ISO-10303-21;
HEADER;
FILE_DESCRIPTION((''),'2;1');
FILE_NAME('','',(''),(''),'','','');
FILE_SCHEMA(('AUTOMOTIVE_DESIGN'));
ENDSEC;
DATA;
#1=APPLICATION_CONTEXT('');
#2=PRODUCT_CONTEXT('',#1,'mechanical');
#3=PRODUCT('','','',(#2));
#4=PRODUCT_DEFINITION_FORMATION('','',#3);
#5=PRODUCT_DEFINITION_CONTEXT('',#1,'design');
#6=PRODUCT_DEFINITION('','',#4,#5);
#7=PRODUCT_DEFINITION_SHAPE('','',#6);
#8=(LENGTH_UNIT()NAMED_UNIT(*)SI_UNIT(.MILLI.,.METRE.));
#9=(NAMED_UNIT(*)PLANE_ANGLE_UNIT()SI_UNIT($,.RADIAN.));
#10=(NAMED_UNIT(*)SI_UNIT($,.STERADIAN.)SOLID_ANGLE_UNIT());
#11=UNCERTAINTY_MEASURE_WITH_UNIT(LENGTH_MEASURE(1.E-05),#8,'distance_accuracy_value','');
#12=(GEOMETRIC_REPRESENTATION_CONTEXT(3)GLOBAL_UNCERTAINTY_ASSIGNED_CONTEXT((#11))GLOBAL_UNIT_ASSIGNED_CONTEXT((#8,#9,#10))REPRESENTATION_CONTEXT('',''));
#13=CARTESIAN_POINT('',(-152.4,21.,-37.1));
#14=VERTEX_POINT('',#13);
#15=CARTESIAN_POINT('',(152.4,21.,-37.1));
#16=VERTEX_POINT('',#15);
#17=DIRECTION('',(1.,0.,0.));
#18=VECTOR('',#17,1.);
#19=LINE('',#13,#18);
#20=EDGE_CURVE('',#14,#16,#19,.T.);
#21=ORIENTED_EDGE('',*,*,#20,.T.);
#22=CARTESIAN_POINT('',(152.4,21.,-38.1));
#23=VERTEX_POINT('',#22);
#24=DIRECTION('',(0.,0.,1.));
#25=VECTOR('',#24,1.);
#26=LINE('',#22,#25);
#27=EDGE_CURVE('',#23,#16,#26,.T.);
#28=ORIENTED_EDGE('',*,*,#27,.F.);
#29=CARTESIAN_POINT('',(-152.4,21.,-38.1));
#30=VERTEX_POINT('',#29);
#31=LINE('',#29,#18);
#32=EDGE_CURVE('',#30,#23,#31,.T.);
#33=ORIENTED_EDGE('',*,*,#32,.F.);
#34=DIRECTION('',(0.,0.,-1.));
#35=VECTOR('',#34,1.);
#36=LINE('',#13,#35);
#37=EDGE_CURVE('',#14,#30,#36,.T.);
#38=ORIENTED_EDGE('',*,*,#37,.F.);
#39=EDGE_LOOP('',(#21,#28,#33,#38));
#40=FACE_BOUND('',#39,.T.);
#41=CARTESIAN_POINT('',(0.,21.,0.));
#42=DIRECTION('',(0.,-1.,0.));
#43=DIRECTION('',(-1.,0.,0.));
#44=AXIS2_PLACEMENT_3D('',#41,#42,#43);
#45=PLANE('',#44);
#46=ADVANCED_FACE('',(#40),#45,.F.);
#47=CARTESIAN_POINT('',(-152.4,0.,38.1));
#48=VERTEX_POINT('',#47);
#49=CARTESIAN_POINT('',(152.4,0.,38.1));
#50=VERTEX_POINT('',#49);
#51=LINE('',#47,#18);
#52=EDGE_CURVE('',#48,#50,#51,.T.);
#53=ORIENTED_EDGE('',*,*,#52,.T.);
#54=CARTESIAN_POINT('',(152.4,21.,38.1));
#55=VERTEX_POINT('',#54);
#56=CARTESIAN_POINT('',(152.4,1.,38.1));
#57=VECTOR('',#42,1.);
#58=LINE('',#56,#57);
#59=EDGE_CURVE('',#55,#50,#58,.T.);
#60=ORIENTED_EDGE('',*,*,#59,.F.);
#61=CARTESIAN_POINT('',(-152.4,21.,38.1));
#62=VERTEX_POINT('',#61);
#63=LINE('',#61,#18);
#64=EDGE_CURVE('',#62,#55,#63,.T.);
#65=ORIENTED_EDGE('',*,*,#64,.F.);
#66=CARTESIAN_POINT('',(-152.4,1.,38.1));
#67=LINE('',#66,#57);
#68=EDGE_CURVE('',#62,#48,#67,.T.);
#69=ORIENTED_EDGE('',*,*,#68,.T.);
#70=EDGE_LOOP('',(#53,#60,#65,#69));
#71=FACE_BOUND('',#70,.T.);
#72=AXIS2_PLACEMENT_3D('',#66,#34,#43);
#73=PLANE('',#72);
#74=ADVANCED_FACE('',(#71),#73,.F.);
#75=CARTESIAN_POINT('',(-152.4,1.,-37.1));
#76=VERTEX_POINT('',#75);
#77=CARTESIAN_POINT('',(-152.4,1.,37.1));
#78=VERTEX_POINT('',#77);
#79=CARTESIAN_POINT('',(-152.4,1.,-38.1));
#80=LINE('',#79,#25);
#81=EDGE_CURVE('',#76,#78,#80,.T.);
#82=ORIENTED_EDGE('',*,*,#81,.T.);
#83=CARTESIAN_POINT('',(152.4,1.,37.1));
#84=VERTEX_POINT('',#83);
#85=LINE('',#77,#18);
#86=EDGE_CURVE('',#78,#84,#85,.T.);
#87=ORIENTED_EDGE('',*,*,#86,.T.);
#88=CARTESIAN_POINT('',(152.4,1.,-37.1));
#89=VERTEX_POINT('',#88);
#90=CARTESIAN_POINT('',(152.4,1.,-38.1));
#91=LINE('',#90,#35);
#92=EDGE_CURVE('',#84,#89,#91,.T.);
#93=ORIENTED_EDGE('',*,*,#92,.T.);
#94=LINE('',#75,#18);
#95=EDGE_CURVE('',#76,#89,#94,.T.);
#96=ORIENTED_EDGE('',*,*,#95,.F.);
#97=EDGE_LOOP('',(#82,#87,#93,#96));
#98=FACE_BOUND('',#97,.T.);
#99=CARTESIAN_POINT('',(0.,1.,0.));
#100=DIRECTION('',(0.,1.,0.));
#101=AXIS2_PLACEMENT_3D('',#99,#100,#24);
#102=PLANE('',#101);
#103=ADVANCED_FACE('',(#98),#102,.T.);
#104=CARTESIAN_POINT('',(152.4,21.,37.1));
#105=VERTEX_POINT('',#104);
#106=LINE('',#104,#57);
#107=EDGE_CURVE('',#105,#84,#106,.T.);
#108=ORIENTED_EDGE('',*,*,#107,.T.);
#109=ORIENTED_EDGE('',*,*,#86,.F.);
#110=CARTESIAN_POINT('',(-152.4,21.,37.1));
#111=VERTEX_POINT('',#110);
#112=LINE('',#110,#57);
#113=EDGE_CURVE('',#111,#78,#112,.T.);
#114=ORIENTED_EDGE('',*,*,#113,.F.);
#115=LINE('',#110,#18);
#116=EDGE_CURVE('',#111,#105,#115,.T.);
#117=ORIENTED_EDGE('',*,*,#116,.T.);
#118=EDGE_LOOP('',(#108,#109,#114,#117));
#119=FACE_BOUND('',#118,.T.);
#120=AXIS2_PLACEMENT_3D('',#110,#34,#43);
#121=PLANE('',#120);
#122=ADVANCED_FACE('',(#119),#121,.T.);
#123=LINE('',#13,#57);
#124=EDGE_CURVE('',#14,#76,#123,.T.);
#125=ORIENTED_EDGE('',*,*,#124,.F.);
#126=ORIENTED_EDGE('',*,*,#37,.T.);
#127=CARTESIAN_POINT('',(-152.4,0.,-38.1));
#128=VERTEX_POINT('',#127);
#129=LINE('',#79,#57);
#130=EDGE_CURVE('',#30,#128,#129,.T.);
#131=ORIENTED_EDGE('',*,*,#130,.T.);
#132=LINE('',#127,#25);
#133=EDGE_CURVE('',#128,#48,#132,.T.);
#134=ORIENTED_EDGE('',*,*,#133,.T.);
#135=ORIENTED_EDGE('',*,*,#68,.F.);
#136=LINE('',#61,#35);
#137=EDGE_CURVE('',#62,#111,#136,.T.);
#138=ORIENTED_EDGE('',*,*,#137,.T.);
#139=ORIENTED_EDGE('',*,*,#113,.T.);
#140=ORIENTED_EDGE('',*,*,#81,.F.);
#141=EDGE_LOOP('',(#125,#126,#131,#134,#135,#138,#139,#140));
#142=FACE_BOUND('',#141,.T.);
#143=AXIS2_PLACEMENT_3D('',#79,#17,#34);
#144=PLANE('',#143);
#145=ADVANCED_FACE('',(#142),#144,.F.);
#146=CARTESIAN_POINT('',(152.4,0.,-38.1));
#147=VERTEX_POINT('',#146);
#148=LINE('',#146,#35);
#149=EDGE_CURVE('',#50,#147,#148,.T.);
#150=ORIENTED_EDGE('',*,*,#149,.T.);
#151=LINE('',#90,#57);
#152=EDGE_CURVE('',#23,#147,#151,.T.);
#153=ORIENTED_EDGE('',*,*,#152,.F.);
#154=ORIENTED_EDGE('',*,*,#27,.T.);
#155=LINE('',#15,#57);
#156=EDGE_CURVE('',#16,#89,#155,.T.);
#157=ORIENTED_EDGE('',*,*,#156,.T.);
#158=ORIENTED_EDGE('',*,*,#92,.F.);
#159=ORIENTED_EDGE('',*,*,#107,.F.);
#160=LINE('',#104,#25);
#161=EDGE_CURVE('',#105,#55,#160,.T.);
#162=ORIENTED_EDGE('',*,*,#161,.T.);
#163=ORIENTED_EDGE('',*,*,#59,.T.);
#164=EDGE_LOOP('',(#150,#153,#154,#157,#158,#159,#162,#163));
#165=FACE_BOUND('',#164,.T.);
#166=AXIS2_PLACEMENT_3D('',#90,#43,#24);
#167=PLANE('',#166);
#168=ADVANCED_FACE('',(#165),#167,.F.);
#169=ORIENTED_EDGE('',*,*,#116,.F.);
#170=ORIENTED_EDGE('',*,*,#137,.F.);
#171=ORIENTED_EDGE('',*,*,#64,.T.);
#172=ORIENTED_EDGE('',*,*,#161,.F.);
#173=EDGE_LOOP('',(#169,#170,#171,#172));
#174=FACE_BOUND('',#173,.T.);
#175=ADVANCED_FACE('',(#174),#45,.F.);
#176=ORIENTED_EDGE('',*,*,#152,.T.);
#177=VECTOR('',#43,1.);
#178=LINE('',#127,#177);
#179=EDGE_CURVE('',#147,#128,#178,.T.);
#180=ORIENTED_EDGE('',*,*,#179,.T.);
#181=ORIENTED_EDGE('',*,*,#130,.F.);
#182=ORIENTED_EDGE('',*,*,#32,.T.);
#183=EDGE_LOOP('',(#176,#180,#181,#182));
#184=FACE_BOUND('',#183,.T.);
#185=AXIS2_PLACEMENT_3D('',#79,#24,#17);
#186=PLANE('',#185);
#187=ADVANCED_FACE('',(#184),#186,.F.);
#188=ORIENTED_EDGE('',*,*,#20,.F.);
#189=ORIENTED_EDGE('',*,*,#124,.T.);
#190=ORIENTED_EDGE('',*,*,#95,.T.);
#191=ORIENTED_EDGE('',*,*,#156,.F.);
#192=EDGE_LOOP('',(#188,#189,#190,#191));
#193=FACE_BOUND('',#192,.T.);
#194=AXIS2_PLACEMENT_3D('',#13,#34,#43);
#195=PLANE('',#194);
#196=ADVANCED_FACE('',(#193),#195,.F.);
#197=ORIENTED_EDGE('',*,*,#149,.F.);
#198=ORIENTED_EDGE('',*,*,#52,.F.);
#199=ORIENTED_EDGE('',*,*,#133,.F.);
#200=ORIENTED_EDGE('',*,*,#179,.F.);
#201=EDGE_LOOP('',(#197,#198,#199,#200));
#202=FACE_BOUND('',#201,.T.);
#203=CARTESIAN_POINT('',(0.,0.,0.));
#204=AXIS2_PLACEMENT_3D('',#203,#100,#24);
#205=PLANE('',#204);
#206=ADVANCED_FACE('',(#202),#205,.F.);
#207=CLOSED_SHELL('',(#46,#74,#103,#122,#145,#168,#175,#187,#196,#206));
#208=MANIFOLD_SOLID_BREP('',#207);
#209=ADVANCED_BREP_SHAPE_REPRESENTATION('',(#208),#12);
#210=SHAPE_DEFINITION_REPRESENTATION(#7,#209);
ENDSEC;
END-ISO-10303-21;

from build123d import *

# Parameters (mm, degrees)
SKETCH1_W           = 304.8
SKETCH1_H           = 76.2
BOSS_EXTRUDE1_DEPTH = 1
SKETCH2_W           = 304.8
SKETCH2_H           = 1
EXTRUDE_THIN1_DEPTH = 20
SKETCH5_W           = 304.8
SKETCH5_H           = 1
EXTRUDE_THIN2_DEPTH = 20


with BuildPart() as part:
    # Sketch1 → Boss-Extrude1 (new body)
    with BuildSketch(Plane(origin=(0, 0, 0), x_dir=(1, 0, 0), z_dir=(0, 1, 0))):
        Rectangle(SKETCH1_W, SKETCH1_H)
    extrude(amount=BOSS_EXTRUDE1_DEPTH)

    # Sketch2 → Extrude-Thin1 (add)
    with BuildSketch(Plane(origin=(0, 1, 0), x_dir=(1, 0, 0), z_dir=(0, 1, 0))):
        with Locations((0, -37.6)):
            Rectangle(SKETCH2_W, SKETCH2_H)
    extrude(amount=EXTRUDE_THIN1_DEPTH)

    # Sketch5 → Extrude-Thin2 (add)
    with BuildSketch(Plane(origin=(0, 1, 0), x_dir=(1, 0, 0), z_dir=(0, 1, 0))):
        with Locations((0, 37.6)):
            Rectangle(SKETCH5_W, SKETCH5_H)
    extrude(amount=EXTRUDE_THIN2_DEPTH)


solid = part.part
